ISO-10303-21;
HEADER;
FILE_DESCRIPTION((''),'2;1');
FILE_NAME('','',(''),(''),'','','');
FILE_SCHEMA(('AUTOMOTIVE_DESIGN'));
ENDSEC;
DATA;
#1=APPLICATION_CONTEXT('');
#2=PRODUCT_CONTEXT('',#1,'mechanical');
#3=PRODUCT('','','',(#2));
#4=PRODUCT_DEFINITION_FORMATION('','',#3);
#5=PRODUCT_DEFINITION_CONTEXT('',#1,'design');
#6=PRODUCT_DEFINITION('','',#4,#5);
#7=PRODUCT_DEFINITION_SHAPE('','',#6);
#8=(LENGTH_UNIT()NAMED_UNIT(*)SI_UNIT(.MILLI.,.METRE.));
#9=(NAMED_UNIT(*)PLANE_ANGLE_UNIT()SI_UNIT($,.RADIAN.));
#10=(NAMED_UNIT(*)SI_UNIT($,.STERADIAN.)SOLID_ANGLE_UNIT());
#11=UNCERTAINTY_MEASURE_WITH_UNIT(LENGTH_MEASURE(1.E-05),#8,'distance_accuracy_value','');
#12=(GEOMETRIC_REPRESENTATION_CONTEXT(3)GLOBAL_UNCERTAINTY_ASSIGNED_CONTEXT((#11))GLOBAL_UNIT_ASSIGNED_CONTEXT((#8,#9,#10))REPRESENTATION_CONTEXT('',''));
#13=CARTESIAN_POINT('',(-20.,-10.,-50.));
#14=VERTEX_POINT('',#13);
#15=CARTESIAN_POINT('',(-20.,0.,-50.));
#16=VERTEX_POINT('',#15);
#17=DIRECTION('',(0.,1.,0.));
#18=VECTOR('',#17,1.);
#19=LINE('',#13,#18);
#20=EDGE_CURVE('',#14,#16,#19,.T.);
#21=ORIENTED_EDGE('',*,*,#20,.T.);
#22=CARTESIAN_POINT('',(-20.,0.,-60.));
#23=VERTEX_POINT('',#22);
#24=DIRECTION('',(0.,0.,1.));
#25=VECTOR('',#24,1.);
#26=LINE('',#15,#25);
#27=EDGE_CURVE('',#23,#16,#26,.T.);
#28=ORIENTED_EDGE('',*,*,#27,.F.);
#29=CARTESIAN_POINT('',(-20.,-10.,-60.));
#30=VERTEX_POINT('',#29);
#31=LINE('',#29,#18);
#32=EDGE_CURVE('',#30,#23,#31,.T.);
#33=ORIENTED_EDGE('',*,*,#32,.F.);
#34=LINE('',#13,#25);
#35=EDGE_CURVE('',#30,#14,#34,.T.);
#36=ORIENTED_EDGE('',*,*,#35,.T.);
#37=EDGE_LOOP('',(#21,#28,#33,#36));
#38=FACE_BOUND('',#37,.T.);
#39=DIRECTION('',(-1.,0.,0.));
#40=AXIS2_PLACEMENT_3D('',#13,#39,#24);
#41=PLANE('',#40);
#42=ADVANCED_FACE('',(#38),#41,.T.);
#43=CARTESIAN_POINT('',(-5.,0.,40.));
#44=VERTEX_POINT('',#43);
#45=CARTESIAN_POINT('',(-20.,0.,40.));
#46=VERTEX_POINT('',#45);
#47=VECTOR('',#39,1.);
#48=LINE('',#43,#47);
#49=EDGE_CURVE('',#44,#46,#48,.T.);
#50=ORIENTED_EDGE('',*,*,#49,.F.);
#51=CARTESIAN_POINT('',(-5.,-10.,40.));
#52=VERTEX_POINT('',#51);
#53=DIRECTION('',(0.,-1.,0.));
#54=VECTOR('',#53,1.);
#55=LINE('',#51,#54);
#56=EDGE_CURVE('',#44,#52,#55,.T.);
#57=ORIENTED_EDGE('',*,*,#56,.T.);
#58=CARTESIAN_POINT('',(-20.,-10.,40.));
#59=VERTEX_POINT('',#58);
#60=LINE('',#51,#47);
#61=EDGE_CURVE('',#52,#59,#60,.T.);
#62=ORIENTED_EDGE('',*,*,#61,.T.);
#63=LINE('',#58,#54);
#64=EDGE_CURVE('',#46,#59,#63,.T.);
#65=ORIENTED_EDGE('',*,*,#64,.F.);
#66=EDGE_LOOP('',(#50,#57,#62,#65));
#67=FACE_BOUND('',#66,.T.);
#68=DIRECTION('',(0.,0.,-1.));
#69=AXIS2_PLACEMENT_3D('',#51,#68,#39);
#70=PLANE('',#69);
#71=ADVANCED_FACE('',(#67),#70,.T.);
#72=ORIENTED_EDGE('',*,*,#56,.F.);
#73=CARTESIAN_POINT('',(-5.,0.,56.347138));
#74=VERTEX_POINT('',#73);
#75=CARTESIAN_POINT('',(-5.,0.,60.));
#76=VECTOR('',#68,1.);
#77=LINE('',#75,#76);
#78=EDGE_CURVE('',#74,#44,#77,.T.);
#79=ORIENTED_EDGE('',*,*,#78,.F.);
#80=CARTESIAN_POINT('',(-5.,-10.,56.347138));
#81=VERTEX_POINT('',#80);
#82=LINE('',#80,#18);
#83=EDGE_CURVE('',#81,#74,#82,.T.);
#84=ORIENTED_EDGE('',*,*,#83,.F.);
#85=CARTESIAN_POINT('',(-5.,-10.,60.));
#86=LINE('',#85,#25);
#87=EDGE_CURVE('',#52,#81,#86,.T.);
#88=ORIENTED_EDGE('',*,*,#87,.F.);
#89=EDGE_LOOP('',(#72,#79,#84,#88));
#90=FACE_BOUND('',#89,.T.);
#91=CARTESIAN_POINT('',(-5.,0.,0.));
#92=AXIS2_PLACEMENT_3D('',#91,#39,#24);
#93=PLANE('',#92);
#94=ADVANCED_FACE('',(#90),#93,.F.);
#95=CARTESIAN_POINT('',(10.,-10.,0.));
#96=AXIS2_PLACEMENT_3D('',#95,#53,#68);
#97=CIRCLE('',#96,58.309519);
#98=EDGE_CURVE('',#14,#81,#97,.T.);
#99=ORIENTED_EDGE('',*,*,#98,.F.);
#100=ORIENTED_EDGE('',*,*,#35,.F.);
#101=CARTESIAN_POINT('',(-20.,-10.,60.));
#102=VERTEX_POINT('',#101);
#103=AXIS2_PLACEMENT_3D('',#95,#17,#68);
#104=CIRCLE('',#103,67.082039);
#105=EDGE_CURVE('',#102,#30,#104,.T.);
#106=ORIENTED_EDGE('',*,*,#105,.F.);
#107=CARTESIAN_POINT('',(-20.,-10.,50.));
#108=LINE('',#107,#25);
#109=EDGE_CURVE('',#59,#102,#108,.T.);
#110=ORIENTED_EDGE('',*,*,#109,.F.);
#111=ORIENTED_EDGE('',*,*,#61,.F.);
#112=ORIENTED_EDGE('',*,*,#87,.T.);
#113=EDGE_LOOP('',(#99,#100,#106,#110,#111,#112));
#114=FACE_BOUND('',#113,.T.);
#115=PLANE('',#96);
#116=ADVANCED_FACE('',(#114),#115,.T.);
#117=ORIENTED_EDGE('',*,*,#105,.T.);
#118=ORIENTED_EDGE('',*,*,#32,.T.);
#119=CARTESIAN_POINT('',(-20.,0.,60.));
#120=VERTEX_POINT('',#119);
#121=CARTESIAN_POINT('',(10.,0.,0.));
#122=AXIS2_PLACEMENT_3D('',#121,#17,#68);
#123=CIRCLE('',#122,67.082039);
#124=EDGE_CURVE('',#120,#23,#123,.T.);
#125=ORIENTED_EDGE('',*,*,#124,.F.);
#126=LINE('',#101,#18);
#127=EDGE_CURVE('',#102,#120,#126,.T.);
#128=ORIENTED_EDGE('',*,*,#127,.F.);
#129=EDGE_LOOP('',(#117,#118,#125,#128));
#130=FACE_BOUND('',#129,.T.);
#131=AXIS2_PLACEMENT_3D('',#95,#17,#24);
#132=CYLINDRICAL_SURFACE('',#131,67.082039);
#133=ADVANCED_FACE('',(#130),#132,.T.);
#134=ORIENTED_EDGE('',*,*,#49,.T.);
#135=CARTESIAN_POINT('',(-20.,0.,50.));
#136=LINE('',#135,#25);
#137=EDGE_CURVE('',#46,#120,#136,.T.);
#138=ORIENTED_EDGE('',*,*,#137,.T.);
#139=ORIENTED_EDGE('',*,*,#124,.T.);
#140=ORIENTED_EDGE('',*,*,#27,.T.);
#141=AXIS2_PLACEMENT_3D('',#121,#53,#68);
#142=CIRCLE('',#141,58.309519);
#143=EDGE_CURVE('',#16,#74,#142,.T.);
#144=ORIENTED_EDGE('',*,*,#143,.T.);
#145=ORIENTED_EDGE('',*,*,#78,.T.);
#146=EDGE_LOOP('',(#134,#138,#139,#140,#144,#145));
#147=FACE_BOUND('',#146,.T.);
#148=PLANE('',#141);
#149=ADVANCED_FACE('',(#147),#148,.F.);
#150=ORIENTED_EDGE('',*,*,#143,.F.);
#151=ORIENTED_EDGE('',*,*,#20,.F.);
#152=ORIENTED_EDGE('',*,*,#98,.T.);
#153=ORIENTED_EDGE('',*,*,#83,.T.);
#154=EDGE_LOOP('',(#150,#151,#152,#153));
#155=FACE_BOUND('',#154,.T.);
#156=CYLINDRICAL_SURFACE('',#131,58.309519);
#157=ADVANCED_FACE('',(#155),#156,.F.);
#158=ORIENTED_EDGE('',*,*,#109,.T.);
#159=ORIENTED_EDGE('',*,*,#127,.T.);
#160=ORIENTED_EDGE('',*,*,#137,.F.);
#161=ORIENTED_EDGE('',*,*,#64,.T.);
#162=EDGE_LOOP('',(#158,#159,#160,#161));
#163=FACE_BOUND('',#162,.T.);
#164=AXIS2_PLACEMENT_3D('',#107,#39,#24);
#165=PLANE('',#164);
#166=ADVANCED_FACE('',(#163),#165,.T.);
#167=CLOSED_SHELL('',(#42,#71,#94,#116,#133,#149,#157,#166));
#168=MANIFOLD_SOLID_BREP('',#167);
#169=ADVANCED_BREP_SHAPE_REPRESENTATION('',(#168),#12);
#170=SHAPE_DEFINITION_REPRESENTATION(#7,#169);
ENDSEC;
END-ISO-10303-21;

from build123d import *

# Parameters (mm, degrees)
BOSS_EXTRUDE1_DEPTH = 10
SKETCH2_W           = 20
SKETCH2_H           = 10
BOSS_EXTRUDE2_DEPTH = 15


with BuildPart() as part:
    # Sketch1 → Boss-Extrude1 (new body)
    with BuildSketch(Plane(origin=(0, 0, 0), x_dir=(1, 0, 0), z_dir=(0, 1, 0))):
        with BuildLine():
            Line((-20, 50), (-20, 60))
            ThreePointArc((-20, 60), (77.082039325, 0), (-20, -60))
            Line((-20, -60), (-20, -50))
            ThreePointArc((-20, -50), (68.309518948, 0), (-20, 50))
        make_face()
    extrude(amount=-BOSS_EXTRUDE1_DEPTH)

    # Sketch2 → Boss-Extrude2 (add)
    with BuildSketch(Plane.ZY.offset(20)):
        with Locations((50, -5)):
            Rectangle(SKETCH2_W, SKETCH2_H)
    extrude(amount=-BOSS_EXTRUDE2_DEPTH)


solid = part.part
